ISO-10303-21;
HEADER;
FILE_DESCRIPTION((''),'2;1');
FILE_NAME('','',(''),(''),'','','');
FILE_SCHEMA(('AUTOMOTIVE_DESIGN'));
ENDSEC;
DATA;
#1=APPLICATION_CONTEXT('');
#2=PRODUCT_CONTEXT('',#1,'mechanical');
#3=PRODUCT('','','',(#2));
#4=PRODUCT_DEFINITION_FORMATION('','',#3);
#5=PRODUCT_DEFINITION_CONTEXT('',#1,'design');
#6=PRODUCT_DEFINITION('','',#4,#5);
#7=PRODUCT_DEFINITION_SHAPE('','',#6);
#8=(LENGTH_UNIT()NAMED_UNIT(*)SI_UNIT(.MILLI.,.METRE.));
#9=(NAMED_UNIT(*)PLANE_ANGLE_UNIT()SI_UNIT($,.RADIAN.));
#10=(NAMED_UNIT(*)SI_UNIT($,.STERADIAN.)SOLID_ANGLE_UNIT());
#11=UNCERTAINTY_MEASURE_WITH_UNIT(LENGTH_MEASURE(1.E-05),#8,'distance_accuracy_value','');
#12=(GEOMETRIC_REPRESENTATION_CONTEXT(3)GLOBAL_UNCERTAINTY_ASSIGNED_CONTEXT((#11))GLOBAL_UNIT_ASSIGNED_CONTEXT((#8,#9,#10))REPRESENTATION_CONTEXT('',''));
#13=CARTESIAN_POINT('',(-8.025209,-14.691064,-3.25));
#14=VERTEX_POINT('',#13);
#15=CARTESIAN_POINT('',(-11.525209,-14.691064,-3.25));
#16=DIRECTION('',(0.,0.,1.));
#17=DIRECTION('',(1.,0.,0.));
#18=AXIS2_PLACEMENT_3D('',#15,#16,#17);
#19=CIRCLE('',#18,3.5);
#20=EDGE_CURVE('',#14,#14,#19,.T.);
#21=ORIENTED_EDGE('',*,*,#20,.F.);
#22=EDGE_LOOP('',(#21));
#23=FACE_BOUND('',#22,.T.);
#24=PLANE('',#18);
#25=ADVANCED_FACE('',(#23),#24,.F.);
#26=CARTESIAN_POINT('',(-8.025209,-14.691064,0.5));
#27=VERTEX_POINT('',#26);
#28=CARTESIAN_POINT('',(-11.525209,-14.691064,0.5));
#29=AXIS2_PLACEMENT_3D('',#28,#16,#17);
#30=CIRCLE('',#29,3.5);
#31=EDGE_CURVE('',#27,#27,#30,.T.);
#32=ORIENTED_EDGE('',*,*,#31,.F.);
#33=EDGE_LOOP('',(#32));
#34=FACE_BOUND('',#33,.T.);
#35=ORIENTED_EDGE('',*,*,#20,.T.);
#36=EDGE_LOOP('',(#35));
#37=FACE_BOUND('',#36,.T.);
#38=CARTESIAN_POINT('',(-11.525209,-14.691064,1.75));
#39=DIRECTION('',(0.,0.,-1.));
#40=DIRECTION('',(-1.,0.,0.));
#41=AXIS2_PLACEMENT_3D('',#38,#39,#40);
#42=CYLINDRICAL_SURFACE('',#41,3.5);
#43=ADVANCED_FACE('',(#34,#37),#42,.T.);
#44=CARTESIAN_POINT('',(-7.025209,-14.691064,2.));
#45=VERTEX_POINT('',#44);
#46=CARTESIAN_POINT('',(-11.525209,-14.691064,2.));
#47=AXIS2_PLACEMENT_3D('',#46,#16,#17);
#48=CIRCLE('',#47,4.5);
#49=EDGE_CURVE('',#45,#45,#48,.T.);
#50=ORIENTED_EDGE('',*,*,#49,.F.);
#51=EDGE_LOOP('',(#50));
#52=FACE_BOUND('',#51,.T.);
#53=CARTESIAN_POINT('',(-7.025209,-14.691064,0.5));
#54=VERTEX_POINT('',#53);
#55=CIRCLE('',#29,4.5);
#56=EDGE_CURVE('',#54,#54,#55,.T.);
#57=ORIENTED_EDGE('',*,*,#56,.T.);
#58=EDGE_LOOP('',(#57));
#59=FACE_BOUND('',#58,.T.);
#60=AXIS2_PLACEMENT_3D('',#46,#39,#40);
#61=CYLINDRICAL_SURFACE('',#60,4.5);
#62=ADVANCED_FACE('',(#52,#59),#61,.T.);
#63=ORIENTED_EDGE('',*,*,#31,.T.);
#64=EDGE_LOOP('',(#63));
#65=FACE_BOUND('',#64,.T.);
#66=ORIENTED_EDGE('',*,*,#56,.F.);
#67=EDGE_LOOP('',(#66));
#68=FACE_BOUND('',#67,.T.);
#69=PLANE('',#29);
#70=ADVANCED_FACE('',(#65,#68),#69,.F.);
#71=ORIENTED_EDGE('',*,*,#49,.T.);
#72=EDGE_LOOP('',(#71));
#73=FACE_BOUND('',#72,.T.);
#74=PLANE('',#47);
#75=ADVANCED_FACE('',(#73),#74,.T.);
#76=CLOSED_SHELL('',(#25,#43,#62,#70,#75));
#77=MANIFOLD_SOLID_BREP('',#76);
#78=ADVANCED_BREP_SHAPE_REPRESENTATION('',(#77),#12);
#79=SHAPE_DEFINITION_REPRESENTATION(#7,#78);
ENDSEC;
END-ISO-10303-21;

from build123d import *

# Parameters (mm, degrees)
SALIENTE_EXTRUIR1_DEPTH      = 1.75
SALIENTE_EXTRUIR1_DEPTH_BACK = 3.25
CROQUIS1_R                   = 3.5
SALIENTE_EXTRUIR2_DEPTH      = 0.25
SALIENTE_EXTRUIR2_DEPTH_BACK = 1.25
CROQUIS2_R                   = 4.5


with BuildPart() as part:
    # Croquis1 → Saliente-Extruir1 (new, two sides: drawn at the far end of the back side and taken through both)
    with BuildSketch(Plane.XY.offset(-SALIENTE_EXTRUIR1_DEPTH_BACK)):
        with Locations((-11.52520949, -14.691064437)):
            Circle(CROQUIS1_R)
    extrude(amount=SALIENTE_EXTRUIR1_DEPTH + SALIENTE_EXTRUIR1_DEPTH_BACK)

    # Croquis2 → Saliente-Extruir2 (add, two sides: drawn at the far end of the back side and taken through both)
    with BuildSketch(Plane.XY.offset(1.75).offset(-SALIENTE_EXTRUIR2_DEPTH_BACK)):
        with Locations((-11.52520949, -14.691064437)):
            Circle(CROQUIS2_R)
    extrude(amount=SALIENTE_EXTRUIR2_DEPTH + SALIENTE_EXTRUIR2_DEPTH_BACK)


solid = part.part
